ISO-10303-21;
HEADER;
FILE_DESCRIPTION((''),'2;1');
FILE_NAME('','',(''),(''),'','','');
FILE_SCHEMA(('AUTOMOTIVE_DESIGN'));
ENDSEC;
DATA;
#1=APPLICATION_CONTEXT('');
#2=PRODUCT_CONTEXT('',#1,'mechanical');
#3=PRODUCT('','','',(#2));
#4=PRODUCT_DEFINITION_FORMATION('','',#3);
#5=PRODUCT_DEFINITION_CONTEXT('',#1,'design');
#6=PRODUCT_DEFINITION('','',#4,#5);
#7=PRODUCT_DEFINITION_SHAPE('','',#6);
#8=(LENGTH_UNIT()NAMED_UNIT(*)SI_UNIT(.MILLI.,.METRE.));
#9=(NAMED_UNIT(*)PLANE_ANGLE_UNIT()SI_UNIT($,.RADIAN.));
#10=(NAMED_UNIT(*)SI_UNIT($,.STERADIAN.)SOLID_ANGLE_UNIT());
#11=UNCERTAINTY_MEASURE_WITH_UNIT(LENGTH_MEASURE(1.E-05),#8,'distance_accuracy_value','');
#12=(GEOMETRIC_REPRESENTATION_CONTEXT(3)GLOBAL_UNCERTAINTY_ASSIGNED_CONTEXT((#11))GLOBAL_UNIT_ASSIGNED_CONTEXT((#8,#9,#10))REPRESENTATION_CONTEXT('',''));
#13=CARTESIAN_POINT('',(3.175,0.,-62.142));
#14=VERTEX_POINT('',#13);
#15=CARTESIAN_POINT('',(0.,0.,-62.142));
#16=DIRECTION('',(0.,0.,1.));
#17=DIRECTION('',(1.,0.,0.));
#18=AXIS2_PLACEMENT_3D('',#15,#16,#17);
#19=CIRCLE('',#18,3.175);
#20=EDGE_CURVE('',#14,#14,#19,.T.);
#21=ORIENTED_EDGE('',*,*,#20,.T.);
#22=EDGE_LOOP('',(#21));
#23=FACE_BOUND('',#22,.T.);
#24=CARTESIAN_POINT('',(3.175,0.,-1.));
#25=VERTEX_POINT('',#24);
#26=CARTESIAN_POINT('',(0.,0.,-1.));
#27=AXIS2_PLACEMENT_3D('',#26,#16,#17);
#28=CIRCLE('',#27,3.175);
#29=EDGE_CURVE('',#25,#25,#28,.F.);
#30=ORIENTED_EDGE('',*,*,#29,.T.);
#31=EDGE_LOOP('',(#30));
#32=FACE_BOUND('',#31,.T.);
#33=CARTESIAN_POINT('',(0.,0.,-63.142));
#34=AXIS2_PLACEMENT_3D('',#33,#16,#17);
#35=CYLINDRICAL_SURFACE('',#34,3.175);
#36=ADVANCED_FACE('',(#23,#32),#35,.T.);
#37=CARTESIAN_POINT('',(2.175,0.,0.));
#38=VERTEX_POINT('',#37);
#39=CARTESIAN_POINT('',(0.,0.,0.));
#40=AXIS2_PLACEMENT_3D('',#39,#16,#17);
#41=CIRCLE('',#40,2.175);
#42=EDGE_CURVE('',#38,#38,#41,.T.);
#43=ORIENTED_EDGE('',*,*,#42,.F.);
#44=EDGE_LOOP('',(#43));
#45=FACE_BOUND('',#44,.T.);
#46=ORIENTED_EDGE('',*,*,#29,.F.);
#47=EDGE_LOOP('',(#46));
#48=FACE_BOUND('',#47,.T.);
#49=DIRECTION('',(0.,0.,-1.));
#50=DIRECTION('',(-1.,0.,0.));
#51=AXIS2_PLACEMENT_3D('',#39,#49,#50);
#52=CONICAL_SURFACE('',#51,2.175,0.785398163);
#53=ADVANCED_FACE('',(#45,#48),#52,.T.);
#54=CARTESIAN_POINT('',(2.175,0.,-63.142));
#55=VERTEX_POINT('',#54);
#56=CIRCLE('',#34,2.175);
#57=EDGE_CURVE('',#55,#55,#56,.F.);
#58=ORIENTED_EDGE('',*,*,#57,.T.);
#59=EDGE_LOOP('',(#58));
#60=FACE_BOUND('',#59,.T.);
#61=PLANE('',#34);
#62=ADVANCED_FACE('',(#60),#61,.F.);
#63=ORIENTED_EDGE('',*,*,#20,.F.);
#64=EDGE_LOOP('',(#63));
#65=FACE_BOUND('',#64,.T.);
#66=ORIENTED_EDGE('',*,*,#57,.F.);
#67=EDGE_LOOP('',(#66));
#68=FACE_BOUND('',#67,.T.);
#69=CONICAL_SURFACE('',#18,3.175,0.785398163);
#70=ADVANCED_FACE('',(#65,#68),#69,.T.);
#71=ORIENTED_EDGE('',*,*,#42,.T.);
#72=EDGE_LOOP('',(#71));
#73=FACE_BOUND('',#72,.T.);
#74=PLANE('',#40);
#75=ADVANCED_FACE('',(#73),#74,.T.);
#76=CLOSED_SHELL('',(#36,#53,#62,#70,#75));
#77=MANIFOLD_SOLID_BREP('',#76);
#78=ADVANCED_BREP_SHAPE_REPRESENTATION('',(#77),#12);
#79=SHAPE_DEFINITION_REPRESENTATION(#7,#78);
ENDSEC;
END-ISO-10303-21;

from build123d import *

# Parameters (mm, degrees)
SKETCH1_R           = 3.175
BOSS_EXTRUDE1_DEPTH = 63.141999954
CHAMFER1_SIZE       = 1


with BuildPart() as part:
    # Sketch1 → Boss-Extrude1 (new body)
    with BuildSketch(Plane.XY):
        Circle(SKETCH1_R)
    extrude(amount=-BOSS_EXTRUDE1_DEPTH)

    # Chamfer1
    chamfer1_edges = [part.edges().sort_by_distance(p)[0] for p in [
        (-3.175, 0, 0),
        (-3.175, 0, -63.141999954),
    ]]
    chamfer(chamfer1_edges, length=CHAMFER1_SIZE)


solid = part.part
